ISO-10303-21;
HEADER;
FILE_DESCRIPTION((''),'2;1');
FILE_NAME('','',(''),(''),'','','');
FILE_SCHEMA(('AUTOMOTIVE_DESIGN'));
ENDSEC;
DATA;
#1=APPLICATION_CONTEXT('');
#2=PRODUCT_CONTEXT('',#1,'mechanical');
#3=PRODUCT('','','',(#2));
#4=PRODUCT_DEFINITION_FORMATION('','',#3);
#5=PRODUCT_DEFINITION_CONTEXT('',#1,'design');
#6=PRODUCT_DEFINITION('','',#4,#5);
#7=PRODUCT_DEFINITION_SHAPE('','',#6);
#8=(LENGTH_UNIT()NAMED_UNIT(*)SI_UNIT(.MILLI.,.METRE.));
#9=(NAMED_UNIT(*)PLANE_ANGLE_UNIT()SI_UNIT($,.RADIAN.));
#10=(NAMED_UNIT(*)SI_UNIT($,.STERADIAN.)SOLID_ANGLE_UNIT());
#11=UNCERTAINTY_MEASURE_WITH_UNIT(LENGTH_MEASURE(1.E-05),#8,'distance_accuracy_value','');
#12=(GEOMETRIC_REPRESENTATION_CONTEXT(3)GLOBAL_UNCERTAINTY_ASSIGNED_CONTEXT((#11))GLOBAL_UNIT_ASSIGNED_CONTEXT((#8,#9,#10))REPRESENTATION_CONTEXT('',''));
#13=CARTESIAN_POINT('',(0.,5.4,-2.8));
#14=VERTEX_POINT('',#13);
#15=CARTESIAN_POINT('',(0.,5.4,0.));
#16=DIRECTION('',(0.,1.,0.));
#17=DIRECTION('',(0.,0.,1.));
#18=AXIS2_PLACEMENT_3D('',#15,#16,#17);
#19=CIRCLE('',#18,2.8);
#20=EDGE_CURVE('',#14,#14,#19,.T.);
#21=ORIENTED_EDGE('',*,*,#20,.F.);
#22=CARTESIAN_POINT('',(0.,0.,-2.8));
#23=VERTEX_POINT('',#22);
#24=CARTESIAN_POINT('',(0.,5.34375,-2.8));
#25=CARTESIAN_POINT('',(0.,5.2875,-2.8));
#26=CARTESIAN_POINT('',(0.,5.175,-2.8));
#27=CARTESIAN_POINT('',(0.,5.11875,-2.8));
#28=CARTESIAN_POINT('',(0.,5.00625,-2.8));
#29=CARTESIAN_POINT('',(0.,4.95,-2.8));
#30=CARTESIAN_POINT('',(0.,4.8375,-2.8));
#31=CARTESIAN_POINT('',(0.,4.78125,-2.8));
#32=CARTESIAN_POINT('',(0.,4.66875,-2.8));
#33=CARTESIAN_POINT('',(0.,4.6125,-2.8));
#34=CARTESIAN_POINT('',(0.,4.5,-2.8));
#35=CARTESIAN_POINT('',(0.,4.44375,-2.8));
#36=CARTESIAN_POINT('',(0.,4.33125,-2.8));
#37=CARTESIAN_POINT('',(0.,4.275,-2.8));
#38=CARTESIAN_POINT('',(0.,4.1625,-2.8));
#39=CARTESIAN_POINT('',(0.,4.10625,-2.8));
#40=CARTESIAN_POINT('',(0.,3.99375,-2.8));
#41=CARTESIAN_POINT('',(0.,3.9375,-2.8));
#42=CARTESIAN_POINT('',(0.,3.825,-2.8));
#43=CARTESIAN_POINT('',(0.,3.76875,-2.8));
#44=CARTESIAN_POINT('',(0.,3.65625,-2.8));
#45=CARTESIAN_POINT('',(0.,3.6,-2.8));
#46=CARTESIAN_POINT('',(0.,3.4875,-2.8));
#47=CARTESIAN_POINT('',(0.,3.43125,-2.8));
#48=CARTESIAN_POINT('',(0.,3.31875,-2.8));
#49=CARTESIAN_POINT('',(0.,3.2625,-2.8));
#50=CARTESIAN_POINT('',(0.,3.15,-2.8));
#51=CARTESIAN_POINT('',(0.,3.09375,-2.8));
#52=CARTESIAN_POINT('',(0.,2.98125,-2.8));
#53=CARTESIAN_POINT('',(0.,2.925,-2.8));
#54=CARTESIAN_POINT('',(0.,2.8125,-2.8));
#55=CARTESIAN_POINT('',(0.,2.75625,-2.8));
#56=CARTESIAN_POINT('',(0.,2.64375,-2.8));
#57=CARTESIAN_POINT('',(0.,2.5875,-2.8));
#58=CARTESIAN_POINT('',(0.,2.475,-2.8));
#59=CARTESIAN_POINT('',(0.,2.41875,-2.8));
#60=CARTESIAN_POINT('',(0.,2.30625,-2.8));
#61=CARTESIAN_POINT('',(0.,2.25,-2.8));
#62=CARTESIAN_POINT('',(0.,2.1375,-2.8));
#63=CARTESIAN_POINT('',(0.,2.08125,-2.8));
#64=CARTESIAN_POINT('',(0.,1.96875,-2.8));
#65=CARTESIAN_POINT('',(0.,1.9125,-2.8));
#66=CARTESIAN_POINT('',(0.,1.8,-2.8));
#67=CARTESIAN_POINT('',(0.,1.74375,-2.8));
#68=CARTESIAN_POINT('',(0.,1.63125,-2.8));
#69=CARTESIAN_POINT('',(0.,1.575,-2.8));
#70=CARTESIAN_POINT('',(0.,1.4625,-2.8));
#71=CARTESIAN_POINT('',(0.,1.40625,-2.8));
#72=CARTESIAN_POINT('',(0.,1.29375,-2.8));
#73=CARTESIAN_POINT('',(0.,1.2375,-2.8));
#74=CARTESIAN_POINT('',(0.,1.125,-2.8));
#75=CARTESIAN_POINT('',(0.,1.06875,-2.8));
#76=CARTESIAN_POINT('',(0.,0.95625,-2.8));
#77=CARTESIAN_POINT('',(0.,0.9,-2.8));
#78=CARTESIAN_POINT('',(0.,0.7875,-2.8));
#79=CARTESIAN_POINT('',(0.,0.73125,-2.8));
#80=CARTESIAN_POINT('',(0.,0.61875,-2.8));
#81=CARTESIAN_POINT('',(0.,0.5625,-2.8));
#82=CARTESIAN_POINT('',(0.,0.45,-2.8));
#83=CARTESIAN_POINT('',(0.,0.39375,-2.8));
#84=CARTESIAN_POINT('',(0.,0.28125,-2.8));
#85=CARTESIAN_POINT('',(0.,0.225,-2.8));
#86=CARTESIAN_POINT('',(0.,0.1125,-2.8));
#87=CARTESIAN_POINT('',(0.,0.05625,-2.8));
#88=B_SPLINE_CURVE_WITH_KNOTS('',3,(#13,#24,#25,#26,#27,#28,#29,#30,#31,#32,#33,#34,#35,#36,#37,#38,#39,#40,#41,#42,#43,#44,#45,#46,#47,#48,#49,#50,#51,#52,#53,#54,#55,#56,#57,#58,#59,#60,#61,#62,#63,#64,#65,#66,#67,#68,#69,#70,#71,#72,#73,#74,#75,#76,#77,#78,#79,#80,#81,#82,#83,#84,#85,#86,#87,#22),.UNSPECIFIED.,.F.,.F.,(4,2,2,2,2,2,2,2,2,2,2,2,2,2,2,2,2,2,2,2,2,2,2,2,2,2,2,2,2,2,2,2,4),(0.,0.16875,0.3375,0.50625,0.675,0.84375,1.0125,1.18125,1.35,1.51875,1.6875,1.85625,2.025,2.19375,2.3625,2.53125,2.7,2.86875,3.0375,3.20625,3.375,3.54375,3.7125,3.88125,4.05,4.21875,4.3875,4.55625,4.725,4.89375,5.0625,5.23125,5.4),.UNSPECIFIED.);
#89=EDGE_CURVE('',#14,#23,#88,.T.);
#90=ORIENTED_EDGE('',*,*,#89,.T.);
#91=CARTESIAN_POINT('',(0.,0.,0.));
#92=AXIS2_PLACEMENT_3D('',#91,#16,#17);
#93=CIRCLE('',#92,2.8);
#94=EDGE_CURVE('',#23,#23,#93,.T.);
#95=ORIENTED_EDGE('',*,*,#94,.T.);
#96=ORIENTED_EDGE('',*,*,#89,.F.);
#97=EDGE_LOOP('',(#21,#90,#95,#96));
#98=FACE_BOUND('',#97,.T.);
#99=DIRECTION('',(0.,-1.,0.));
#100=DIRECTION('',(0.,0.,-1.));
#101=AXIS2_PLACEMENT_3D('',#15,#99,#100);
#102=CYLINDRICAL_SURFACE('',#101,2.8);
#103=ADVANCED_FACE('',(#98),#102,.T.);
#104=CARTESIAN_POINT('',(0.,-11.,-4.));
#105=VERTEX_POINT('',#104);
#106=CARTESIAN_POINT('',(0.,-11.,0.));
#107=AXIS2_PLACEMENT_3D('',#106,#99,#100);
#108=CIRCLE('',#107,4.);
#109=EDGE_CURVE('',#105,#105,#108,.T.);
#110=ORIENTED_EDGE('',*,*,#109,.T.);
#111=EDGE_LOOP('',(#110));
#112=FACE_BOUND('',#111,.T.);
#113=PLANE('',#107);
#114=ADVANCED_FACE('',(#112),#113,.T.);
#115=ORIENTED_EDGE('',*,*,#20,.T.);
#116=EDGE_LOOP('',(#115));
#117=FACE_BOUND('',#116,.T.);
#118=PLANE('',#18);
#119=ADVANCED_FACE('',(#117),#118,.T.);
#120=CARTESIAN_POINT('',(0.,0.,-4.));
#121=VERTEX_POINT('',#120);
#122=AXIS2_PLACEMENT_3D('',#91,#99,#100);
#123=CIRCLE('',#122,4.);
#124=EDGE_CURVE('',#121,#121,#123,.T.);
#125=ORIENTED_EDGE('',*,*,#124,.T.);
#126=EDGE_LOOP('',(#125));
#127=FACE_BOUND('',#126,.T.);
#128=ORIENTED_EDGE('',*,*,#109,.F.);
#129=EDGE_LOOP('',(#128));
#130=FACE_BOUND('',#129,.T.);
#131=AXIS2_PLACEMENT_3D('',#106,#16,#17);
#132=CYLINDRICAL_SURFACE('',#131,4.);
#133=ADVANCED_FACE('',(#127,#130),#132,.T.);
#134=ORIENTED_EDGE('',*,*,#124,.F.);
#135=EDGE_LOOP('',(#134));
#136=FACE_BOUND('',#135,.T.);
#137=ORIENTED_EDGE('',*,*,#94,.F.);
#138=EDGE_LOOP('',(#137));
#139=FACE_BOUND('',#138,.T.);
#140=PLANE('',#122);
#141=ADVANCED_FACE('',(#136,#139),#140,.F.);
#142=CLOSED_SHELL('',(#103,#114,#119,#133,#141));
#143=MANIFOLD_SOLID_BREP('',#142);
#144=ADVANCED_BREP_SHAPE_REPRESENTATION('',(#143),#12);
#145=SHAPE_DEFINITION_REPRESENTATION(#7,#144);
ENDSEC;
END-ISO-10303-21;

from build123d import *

# Parameters (mm, degrees)
ESBO_O1_R                = 2.8
RESSALTO_EXTRUS_O1_DEPTH = 5.4
ESBO_O2_R                = 4
RESSALTO_EXTRUS_O2_DEPTH = 11


with BuildPart() as part:
    # Esboço1 → Ressalto-extrusão1 (new body)
    with BuildSketch(Plane(origin=(0, 0, 0), x_dir=(1, 0, 0), z_dir=(0, 1, 0))):
        with Locations(Location((0, 0, 0), (0, 0, 90))):
            Circle(ESBO_O1_R)
    extrude(amount=RESSALTO_EXTRUS_O1_DEPTH)

    # Esboço2 → Ressalto-extrusão2 (add)
    with BuildSketch(Plane.XZ):
        with Locations(Location((0, 0, 0), (0, 0, 270))):
            Circle(ESBO_O2_R)
    extrude(amount=RESSALTO_EXTRUS_O2_DEPTH)


solid = part.part
